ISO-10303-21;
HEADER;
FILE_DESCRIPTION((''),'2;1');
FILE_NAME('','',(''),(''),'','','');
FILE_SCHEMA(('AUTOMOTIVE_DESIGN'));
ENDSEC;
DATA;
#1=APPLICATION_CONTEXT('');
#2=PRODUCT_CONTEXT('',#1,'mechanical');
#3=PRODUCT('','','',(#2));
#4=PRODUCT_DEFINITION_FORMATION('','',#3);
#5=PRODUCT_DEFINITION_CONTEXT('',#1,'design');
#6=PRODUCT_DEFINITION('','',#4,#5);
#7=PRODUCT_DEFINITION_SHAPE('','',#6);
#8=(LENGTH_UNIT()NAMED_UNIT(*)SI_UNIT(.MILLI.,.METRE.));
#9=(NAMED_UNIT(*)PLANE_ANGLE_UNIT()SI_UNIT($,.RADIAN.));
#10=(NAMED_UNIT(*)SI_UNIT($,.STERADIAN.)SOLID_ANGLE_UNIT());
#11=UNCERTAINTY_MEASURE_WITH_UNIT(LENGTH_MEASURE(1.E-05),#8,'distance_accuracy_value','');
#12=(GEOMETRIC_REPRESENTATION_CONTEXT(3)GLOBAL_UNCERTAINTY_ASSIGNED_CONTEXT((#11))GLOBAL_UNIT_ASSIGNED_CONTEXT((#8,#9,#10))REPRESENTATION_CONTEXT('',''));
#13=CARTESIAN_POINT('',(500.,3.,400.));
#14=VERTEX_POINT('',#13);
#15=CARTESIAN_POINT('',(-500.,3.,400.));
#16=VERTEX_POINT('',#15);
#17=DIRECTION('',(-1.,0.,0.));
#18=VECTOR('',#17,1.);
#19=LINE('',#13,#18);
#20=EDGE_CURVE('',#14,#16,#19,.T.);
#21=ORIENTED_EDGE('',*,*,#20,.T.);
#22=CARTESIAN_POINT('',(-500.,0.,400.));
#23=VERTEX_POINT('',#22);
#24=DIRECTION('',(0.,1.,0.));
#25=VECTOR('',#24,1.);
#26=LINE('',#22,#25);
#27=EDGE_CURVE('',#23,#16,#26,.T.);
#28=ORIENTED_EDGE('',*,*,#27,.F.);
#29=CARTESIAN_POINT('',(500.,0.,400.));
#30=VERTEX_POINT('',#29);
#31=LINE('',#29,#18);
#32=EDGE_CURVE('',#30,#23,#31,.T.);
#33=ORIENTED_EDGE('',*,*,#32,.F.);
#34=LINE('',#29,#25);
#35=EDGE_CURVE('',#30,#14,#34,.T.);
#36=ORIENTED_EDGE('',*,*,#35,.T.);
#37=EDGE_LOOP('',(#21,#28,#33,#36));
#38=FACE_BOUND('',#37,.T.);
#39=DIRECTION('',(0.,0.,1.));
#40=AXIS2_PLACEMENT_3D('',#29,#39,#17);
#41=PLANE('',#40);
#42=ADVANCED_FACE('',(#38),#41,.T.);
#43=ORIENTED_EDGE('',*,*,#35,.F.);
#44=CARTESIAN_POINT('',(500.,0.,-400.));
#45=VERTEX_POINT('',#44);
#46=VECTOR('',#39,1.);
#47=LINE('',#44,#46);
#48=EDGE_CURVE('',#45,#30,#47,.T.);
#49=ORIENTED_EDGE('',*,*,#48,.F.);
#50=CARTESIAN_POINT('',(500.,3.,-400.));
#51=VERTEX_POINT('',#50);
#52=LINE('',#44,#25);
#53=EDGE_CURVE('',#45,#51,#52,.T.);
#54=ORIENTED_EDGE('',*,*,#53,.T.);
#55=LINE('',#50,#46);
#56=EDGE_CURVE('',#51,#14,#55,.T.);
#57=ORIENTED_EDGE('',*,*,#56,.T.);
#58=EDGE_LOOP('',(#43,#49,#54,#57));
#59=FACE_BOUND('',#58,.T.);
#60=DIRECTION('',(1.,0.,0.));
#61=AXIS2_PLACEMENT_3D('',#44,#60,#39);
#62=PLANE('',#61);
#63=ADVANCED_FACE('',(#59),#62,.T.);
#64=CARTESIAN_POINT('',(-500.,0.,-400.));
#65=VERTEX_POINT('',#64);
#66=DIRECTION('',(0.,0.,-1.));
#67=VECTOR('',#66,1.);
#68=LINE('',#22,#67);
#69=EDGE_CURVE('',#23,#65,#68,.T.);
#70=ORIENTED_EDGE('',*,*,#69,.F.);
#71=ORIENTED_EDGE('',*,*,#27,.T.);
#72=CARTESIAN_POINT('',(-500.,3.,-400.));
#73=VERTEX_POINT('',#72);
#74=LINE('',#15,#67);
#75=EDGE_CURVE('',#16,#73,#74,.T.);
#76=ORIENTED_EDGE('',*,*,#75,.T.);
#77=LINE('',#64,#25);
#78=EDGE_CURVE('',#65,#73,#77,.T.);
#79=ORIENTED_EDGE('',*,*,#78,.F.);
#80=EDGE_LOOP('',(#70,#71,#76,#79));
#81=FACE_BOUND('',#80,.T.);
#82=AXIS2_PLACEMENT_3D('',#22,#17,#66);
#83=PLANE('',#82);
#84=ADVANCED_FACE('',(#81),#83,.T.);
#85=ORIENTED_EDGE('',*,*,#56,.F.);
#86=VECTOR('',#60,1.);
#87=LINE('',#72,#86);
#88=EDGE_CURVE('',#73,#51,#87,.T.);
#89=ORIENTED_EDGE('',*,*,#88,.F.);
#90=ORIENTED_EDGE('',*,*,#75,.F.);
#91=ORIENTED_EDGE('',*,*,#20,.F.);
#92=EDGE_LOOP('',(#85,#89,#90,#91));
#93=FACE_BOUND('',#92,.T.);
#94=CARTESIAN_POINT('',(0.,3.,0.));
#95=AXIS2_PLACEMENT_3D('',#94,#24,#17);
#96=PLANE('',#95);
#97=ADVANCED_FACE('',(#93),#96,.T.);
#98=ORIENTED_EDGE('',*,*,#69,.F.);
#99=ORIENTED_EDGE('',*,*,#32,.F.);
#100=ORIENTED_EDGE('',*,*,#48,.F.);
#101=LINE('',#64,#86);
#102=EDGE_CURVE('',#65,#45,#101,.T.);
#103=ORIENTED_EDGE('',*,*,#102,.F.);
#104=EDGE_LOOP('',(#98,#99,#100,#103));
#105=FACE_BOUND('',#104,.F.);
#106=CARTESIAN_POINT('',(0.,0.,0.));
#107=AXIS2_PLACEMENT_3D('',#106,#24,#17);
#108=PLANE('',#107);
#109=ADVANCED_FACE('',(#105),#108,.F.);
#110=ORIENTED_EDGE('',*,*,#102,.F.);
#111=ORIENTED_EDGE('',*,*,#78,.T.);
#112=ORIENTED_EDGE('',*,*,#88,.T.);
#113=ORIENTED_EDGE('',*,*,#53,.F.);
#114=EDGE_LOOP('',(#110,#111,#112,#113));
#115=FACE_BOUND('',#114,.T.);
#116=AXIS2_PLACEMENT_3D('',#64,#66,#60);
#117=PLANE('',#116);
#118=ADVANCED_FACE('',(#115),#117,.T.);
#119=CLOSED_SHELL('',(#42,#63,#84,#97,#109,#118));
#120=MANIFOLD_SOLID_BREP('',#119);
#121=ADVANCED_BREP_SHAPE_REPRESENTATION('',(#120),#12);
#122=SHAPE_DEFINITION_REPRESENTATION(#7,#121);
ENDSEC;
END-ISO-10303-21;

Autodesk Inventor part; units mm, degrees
ref_plane "YZ Plane" through (0, 0, 0) normal (1, 0, 0) x (0, 1, 0)
ref_plane "XZ Plane" through (0, 0, 0) normal (0, 1, 0) x (-1, 0, 0)
ref_plane "XY Plane" through (0, 0, 0) normal (0, 0, 1) x (1, 0, 0)
sketch "Szkic1" plane through (0, 0, 0) normal (0, 1, 0) x (-1, 0, 0)
  line L0 (-500, 400) -> (500, 400)
  line L1 (500, 400) -> (500, -400)
  line L2 (500, -400) -> (-500, -400)
  line L3 (-500, -400) -> (-500, 400)
  line L4 (-500, 400) -> (500, -400) construction
  line L5 (500, 400) -> (-500, -400) construction
  point P0 (0, 0)
  dimension "d0" = 800
  dimension "d1" = 1000
extrude "Wyciągnięcie proste1" add sketch "Szkic1" along normal blind 3
properties part number "aluminiumBase"
